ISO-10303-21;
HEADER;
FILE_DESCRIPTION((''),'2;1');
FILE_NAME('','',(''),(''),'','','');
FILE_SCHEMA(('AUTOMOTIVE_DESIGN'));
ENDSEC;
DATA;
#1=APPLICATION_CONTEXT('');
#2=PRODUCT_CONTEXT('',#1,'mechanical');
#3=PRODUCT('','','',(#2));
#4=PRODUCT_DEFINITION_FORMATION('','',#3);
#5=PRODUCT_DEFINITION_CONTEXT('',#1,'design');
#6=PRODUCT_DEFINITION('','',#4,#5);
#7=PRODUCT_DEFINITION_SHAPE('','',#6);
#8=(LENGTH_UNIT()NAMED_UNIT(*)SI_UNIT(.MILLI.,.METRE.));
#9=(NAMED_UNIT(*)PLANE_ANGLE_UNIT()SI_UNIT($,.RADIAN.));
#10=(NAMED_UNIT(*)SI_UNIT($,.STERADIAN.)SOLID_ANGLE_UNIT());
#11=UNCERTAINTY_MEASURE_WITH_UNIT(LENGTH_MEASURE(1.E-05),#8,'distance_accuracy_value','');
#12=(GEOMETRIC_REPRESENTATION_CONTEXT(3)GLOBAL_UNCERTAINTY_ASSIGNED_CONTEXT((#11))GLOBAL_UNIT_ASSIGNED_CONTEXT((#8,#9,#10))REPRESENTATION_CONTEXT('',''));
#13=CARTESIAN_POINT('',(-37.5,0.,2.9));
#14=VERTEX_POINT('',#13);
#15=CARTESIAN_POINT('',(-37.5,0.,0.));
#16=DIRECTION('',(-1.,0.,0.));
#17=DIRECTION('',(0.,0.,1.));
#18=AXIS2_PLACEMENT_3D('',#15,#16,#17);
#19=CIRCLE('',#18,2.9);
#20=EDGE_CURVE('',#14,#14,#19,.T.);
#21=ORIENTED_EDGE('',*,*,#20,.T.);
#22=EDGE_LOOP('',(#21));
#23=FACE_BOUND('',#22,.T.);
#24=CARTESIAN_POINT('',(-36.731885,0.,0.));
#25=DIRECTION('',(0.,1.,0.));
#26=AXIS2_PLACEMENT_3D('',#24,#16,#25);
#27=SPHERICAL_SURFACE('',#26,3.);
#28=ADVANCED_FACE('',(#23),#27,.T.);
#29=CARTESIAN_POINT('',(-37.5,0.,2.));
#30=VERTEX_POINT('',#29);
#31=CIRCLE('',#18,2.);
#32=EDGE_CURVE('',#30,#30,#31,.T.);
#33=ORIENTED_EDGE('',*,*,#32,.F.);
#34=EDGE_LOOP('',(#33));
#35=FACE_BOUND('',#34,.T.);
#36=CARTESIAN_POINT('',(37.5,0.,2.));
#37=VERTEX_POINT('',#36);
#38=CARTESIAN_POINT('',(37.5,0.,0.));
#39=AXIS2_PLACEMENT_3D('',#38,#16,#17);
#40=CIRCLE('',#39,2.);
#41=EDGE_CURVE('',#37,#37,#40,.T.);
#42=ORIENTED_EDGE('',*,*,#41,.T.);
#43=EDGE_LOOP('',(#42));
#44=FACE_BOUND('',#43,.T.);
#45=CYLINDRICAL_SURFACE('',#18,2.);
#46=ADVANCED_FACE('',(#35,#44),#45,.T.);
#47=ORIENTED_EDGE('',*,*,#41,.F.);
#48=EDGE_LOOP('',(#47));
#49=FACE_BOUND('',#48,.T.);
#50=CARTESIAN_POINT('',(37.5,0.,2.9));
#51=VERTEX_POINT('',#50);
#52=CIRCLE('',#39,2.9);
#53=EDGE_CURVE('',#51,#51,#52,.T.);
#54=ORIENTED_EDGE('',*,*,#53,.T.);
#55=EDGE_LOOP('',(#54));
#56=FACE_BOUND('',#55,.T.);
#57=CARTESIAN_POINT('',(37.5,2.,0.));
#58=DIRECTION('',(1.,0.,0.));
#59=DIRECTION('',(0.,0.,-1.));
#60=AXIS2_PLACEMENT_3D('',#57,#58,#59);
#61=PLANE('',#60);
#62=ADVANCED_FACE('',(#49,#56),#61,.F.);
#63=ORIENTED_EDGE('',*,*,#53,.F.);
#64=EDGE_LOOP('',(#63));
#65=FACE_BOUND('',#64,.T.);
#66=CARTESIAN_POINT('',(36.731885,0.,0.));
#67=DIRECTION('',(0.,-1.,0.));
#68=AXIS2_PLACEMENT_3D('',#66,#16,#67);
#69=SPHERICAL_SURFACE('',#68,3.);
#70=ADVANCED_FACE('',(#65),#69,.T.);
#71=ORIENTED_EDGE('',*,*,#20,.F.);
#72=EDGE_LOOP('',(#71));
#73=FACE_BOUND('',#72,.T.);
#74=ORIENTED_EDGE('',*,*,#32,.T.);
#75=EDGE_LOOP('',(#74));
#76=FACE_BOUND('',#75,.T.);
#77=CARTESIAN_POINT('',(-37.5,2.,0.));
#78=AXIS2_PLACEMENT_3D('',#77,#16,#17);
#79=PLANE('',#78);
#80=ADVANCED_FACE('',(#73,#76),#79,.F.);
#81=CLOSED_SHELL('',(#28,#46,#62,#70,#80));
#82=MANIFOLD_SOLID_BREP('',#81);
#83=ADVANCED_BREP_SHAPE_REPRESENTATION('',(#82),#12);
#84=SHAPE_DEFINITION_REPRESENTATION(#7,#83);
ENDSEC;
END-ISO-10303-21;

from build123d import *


with BuildPart() as part:
    # Sketch1 → Revolve1 (revolve)
    with BuildSketch(Plane.XY, mode=Mode.PRIVATE) as revolve1_sk:
        with BuildLine():
            Line((-37.5, 2), (-37.5, 2.9))
            ThreePointArc((-37.5, 2.9), (-39.109315101, 1.829707118), (-39.731885425, 0))
            Line((-39.731885425, 0), (-37.5, 0))
            Line((-37.5, 0), (37.5, 0))
            Line((37.5, 0), (39.731885425, 0))
            ThreePointArc((39.731885425, 0), (39.109315101, 1.829707118), (37.5, 2.9))
            Line((37.5, 2.9), (37.5, 2))
            Line((37.5, 2), (-37.5, 2))
        make_face()
    revolve(revolve1_sk.sketch.rotate(Axis((-37.5, 0, 0), (1, 0, 0)), 90), axis=Axis((-37.5, 0, 0), (1, 0, 0)))


solid = part.part
